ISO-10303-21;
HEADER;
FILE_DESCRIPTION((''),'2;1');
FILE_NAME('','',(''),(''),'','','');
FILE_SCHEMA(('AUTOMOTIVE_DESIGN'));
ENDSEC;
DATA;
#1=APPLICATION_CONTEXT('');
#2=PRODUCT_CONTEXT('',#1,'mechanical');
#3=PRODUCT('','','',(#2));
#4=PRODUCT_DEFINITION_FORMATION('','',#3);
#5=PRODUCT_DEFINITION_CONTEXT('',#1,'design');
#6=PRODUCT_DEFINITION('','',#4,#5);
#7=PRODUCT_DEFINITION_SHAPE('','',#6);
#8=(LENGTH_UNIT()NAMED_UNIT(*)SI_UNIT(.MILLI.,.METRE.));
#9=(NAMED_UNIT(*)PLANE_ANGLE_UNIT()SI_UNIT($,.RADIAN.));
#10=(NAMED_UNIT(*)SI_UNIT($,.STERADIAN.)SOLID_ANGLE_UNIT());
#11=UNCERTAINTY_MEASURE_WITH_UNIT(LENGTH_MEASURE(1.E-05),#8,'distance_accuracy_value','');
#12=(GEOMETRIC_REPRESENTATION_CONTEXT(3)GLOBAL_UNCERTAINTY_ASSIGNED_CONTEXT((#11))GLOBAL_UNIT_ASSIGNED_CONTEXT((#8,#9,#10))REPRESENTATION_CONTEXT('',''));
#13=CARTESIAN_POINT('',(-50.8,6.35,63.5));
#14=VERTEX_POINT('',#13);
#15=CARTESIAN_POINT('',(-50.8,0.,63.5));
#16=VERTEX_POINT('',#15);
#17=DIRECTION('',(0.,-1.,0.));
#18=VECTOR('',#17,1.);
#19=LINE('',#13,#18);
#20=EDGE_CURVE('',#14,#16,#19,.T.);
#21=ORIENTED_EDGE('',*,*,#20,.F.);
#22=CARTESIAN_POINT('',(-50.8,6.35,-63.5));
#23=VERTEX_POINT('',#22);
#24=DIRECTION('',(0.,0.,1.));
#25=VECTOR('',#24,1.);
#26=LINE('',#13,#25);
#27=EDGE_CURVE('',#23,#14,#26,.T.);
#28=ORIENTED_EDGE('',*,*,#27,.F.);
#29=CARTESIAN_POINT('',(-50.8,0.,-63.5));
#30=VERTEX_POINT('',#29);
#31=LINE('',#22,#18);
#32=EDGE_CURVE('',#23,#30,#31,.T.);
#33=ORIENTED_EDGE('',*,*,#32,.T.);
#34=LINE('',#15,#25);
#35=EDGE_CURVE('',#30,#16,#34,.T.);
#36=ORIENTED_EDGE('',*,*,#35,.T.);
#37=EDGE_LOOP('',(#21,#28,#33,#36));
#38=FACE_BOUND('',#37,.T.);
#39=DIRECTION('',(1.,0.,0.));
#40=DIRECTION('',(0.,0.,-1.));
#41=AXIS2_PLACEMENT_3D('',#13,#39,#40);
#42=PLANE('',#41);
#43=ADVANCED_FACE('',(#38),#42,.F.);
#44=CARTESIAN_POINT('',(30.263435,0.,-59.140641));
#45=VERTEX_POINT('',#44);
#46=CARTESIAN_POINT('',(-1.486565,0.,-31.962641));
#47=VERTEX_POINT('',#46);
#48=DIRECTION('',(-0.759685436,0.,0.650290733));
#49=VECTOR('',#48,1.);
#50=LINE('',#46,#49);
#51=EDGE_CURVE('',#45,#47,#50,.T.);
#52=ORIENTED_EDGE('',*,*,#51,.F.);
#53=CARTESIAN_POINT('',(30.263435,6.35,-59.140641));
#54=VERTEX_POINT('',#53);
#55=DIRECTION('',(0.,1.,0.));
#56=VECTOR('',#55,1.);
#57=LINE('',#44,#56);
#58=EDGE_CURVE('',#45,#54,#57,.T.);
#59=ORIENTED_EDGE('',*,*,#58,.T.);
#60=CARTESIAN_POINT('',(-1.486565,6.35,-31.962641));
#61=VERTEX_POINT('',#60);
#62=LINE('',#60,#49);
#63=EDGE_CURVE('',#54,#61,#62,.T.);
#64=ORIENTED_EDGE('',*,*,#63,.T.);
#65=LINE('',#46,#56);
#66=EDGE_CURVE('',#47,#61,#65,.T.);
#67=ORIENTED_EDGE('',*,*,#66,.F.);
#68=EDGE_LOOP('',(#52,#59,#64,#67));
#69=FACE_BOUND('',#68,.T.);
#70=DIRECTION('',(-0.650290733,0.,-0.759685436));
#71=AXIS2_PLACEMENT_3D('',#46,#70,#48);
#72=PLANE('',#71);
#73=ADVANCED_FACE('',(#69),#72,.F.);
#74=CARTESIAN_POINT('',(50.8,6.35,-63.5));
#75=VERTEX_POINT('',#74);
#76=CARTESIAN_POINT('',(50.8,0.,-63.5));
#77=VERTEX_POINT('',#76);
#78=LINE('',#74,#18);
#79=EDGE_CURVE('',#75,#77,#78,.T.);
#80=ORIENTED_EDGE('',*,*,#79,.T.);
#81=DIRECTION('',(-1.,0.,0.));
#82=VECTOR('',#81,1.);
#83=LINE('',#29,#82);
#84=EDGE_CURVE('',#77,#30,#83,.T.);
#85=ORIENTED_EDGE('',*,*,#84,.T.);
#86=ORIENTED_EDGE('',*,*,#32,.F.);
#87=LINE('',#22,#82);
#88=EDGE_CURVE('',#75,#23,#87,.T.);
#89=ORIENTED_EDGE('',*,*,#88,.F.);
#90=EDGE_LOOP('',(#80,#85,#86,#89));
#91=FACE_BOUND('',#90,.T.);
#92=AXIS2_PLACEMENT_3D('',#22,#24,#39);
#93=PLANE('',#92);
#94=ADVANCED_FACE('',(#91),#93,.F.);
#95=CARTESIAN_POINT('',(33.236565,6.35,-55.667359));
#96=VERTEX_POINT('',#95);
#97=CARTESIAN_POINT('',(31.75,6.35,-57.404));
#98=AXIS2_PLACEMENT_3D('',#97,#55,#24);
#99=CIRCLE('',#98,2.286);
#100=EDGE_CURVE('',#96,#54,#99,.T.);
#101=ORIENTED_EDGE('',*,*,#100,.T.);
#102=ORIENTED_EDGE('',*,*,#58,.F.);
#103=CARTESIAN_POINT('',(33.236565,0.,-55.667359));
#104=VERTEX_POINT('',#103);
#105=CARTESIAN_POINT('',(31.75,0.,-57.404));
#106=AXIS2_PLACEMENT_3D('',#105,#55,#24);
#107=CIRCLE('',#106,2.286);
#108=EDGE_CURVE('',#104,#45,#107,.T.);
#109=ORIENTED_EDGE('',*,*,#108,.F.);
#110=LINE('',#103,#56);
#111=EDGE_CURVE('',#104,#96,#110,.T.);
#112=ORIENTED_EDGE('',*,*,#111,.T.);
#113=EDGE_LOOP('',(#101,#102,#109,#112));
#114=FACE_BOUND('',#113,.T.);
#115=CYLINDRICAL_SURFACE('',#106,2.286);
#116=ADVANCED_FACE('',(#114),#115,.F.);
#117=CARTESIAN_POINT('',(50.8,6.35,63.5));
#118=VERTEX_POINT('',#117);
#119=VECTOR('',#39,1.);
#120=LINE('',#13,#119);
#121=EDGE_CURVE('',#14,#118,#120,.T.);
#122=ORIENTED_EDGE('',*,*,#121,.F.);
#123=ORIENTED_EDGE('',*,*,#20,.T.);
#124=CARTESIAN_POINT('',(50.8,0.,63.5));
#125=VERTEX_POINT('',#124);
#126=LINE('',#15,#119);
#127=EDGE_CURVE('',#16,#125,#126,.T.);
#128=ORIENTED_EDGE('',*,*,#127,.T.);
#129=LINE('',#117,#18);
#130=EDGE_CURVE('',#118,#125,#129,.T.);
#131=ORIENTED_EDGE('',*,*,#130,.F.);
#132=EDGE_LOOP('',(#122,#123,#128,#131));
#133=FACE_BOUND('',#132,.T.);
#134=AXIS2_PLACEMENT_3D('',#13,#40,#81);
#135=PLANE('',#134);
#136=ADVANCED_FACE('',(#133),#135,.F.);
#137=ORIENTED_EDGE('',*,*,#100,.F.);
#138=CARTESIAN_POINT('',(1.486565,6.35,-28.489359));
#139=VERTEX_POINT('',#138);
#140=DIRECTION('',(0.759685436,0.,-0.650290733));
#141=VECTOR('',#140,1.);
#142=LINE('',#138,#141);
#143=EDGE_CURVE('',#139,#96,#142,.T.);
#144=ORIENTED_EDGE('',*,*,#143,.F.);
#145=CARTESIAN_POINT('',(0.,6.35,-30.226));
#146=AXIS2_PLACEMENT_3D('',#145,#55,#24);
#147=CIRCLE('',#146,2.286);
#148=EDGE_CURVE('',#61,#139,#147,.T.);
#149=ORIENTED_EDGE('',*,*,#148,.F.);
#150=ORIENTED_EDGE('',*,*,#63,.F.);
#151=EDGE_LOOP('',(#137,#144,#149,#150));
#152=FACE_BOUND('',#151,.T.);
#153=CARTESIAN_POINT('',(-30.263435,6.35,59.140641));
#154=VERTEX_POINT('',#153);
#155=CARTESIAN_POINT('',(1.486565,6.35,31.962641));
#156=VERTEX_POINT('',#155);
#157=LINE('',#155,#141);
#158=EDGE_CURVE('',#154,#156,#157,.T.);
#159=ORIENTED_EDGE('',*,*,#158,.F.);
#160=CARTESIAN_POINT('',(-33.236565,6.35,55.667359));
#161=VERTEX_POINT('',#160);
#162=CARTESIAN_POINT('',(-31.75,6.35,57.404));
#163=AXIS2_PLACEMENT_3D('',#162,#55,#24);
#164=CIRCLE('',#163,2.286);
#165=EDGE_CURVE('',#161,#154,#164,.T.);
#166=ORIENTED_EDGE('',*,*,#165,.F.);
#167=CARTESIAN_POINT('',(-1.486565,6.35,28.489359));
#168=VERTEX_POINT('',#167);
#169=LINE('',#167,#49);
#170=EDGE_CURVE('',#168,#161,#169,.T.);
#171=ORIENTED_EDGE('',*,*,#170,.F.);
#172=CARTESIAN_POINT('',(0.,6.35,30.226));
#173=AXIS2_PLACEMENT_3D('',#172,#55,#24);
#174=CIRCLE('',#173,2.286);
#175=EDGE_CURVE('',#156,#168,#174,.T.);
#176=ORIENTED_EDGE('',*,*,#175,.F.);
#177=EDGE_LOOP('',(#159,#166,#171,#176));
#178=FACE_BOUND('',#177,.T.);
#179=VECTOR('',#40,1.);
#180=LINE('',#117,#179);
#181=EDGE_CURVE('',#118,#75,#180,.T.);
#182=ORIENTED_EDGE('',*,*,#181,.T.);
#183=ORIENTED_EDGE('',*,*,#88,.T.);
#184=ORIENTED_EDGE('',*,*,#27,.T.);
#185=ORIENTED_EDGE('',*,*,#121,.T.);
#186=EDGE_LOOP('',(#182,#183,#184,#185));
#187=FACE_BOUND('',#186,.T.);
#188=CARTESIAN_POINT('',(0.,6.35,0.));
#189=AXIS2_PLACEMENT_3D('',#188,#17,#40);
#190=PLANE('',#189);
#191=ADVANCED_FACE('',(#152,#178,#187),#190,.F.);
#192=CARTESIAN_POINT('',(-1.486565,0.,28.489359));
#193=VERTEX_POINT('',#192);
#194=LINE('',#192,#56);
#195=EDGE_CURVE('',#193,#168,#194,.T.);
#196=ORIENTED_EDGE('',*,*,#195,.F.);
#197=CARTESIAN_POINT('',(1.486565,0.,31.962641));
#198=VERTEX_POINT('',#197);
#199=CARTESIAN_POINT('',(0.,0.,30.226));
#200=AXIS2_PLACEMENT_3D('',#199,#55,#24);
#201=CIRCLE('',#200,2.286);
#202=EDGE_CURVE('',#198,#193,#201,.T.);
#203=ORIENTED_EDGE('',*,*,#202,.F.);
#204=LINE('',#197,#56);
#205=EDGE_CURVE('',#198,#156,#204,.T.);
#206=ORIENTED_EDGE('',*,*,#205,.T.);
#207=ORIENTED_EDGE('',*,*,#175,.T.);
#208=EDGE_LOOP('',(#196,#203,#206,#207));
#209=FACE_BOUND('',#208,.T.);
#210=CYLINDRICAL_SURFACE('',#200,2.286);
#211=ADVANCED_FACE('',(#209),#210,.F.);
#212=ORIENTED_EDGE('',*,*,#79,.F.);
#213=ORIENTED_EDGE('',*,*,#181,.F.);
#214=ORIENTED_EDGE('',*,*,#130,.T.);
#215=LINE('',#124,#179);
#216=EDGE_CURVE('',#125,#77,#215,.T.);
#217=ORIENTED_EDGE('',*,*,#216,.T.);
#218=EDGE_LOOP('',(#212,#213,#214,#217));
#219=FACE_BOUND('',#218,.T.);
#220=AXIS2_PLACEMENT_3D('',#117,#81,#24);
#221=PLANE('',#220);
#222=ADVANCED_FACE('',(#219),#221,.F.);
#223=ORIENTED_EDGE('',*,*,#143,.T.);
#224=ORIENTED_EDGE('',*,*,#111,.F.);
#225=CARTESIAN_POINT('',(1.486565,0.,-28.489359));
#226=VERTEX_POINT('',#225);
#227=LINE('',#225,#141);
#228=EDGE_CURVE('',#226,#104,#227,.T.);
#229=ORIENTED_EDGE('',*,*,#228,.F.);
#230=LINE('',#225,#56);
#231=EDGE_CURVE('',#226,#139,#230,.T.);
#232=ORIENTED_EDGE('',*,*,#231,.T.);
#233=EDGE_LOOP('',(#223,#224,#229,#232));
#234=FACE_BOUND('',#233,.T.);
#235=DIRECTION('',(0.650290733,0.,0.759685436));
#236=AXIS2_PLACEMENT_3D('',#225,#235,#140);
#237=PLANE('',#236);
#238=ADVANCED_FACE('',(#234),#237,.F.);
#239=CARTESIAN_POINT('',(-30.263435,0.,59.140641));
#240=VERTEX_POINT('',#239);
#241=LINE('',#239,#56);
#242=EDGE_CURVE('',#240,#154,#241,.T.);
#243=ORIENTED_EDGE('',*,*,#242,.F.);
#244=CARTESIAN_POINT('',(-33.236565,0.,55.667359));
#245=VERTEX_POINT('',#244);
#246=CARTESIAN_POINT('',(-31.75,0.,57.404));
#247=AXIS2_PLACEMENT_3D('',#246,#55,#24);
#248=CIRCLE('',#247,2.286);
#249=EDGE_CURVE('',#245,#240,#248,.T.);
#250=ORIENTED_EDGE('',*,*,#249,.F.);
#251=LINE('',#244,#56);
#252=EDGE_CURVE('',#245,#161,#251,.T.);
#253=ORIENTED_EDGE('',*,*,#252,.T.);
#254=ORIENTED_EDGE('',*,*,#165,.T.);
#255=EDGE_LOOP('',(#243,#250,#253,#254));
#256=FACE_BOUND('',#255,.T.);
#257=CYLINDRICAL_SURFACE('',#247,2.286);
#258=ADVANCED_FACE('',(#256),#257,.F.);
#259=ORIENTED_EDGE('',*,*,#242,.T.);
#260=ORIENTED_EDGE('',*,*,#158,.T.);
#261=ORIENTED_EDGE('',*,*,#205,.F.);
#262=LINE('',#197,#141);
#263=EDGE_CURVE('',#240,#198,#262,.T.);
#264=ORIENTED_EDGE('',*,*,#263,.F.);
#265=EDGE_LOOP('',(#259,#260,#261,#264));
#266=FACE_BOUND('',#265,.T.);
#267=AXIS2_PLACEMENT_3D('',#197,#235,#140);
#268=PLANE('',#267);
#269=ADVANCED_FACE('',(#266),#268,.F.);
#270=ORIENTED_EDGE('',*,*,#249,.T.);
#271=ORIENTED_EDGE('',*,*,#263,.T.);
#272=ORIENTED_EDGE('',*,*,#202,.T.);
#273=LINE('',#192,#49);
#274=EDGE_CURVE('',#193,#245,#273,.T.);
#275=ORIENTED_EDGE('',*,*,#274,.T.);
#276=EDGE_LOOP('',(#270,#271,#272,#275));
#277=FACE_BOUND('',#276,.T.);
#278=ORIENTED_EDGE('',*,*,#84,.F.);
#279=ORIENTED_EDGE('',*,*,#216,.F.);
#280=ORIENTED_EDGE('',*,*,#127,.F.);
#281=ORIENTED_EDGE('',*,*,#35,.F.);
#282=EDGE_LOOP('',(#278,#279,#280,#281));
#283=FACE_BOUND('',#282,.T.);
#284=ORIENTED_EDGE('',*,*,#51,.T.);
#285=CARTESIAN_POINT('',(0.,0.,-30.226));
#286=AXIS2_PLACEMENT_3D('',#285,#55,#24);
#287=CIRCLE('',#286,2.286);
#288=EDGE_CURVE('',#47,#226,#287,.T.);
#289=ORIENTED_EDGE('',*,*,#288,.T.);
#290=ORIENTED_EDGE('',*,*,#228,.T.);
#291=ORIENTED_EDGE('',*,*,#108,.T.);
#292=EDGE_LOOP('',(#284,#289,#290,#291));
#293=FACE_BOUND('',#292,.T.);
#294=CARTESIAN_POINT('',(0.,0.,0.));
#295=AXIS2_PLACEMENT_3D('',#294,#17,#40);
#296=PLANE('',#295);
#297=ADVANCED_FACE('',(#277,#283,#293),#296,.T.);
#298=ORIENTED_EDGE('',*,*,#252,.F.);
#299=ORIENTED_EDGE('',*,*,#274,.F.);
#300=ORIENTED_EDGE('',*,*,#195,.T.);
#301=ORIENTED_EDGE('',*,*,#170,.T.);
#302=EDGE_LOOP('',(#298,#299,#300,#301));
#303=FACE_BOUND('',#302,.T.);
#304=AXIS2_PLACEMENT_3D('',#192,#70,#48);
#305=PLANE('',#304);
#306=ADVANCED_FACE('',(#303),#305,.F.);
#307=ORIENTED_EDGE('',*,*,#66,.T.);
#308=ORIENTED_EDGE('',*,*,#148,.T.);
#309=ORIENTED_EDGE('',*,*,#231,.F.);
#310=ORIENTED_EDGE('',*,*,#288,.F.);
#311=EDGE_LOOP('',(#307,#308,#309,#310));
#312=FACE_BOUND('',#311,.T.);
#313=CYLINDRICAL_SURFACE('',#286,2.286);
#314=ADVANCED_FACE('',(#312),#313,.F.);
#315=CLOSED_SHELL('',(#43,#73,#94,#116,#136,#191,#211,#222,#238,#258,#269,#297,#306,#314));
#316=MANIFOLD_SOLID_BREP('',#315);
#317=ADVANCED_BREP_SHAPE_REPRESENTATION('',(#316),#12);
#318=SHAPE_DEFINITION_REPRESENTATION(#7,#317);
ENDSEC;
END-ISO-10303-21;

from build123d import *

# Parameters (mm, degrees)
SKETCH1_W           = 101.6
SKETCH1_H           = 127
BOSS_EXTRUDE1_DEPTH = 6.35
CUT_EXTRUDE1_DEPTH  = 82.567226875


with BuildPart() as part:
    # Sketch1 → Boss-Extrude1 (new body)
    with BuildSketch(Plane(origin=(0, 0, 0), x_dir=(1, 0, 0), z_dir=(0, 1, 0))):
        Rectangle(SKETCH1_W, SKETCH1_H)
    extrude(amount=BOSS_EXTRUDE1_DEPTH)

    # Sketch3 → Cut-Extrude1 (cut, through all)
    with BuildSketch(Plane(origin=(0, 6.35, 0), x_dir=(1, 0, 0), z_dir=(0, 1, 0))):
        with BuildLine():
            Line((-1.486564617, 31.962640907), (30.263435383, 59.140640907))
            ThreePointArc((30.263435383, 59.140640907), (33.486640907, 58.890564617), (33.236564617, 55.667359093))
            Line((33.236564617, 55.667359093), (1.486564617, 28.489359093))
            ThreePointArc((1.486564617, 28.489359093), (-1.736640907, 28.739435383), (-1.486564617, 31.962640907))
        make_face()
        with BuildLine():
            Line((1.486564617, -31.962640907), (-30.263435383, -59.140640907))
            ThreePointArc((-30.263435383, -59.140640907), (-33.486640907, -58.890564617), (-33.236564617, -55.667359093))
            Line((-33.236564617, -55.667359093), (-1.486564617, -28.489359093))
            ThreePointArc((-1.486564617, -28.489359093), (1.736640907, -28.739435383), (1.486564617, -31.962640907))
        make_face()
    extrude(amount=-CUT_EXTRUDE1_DEPTH, mode=Mode.SUBTRACT)


solid = part.part
